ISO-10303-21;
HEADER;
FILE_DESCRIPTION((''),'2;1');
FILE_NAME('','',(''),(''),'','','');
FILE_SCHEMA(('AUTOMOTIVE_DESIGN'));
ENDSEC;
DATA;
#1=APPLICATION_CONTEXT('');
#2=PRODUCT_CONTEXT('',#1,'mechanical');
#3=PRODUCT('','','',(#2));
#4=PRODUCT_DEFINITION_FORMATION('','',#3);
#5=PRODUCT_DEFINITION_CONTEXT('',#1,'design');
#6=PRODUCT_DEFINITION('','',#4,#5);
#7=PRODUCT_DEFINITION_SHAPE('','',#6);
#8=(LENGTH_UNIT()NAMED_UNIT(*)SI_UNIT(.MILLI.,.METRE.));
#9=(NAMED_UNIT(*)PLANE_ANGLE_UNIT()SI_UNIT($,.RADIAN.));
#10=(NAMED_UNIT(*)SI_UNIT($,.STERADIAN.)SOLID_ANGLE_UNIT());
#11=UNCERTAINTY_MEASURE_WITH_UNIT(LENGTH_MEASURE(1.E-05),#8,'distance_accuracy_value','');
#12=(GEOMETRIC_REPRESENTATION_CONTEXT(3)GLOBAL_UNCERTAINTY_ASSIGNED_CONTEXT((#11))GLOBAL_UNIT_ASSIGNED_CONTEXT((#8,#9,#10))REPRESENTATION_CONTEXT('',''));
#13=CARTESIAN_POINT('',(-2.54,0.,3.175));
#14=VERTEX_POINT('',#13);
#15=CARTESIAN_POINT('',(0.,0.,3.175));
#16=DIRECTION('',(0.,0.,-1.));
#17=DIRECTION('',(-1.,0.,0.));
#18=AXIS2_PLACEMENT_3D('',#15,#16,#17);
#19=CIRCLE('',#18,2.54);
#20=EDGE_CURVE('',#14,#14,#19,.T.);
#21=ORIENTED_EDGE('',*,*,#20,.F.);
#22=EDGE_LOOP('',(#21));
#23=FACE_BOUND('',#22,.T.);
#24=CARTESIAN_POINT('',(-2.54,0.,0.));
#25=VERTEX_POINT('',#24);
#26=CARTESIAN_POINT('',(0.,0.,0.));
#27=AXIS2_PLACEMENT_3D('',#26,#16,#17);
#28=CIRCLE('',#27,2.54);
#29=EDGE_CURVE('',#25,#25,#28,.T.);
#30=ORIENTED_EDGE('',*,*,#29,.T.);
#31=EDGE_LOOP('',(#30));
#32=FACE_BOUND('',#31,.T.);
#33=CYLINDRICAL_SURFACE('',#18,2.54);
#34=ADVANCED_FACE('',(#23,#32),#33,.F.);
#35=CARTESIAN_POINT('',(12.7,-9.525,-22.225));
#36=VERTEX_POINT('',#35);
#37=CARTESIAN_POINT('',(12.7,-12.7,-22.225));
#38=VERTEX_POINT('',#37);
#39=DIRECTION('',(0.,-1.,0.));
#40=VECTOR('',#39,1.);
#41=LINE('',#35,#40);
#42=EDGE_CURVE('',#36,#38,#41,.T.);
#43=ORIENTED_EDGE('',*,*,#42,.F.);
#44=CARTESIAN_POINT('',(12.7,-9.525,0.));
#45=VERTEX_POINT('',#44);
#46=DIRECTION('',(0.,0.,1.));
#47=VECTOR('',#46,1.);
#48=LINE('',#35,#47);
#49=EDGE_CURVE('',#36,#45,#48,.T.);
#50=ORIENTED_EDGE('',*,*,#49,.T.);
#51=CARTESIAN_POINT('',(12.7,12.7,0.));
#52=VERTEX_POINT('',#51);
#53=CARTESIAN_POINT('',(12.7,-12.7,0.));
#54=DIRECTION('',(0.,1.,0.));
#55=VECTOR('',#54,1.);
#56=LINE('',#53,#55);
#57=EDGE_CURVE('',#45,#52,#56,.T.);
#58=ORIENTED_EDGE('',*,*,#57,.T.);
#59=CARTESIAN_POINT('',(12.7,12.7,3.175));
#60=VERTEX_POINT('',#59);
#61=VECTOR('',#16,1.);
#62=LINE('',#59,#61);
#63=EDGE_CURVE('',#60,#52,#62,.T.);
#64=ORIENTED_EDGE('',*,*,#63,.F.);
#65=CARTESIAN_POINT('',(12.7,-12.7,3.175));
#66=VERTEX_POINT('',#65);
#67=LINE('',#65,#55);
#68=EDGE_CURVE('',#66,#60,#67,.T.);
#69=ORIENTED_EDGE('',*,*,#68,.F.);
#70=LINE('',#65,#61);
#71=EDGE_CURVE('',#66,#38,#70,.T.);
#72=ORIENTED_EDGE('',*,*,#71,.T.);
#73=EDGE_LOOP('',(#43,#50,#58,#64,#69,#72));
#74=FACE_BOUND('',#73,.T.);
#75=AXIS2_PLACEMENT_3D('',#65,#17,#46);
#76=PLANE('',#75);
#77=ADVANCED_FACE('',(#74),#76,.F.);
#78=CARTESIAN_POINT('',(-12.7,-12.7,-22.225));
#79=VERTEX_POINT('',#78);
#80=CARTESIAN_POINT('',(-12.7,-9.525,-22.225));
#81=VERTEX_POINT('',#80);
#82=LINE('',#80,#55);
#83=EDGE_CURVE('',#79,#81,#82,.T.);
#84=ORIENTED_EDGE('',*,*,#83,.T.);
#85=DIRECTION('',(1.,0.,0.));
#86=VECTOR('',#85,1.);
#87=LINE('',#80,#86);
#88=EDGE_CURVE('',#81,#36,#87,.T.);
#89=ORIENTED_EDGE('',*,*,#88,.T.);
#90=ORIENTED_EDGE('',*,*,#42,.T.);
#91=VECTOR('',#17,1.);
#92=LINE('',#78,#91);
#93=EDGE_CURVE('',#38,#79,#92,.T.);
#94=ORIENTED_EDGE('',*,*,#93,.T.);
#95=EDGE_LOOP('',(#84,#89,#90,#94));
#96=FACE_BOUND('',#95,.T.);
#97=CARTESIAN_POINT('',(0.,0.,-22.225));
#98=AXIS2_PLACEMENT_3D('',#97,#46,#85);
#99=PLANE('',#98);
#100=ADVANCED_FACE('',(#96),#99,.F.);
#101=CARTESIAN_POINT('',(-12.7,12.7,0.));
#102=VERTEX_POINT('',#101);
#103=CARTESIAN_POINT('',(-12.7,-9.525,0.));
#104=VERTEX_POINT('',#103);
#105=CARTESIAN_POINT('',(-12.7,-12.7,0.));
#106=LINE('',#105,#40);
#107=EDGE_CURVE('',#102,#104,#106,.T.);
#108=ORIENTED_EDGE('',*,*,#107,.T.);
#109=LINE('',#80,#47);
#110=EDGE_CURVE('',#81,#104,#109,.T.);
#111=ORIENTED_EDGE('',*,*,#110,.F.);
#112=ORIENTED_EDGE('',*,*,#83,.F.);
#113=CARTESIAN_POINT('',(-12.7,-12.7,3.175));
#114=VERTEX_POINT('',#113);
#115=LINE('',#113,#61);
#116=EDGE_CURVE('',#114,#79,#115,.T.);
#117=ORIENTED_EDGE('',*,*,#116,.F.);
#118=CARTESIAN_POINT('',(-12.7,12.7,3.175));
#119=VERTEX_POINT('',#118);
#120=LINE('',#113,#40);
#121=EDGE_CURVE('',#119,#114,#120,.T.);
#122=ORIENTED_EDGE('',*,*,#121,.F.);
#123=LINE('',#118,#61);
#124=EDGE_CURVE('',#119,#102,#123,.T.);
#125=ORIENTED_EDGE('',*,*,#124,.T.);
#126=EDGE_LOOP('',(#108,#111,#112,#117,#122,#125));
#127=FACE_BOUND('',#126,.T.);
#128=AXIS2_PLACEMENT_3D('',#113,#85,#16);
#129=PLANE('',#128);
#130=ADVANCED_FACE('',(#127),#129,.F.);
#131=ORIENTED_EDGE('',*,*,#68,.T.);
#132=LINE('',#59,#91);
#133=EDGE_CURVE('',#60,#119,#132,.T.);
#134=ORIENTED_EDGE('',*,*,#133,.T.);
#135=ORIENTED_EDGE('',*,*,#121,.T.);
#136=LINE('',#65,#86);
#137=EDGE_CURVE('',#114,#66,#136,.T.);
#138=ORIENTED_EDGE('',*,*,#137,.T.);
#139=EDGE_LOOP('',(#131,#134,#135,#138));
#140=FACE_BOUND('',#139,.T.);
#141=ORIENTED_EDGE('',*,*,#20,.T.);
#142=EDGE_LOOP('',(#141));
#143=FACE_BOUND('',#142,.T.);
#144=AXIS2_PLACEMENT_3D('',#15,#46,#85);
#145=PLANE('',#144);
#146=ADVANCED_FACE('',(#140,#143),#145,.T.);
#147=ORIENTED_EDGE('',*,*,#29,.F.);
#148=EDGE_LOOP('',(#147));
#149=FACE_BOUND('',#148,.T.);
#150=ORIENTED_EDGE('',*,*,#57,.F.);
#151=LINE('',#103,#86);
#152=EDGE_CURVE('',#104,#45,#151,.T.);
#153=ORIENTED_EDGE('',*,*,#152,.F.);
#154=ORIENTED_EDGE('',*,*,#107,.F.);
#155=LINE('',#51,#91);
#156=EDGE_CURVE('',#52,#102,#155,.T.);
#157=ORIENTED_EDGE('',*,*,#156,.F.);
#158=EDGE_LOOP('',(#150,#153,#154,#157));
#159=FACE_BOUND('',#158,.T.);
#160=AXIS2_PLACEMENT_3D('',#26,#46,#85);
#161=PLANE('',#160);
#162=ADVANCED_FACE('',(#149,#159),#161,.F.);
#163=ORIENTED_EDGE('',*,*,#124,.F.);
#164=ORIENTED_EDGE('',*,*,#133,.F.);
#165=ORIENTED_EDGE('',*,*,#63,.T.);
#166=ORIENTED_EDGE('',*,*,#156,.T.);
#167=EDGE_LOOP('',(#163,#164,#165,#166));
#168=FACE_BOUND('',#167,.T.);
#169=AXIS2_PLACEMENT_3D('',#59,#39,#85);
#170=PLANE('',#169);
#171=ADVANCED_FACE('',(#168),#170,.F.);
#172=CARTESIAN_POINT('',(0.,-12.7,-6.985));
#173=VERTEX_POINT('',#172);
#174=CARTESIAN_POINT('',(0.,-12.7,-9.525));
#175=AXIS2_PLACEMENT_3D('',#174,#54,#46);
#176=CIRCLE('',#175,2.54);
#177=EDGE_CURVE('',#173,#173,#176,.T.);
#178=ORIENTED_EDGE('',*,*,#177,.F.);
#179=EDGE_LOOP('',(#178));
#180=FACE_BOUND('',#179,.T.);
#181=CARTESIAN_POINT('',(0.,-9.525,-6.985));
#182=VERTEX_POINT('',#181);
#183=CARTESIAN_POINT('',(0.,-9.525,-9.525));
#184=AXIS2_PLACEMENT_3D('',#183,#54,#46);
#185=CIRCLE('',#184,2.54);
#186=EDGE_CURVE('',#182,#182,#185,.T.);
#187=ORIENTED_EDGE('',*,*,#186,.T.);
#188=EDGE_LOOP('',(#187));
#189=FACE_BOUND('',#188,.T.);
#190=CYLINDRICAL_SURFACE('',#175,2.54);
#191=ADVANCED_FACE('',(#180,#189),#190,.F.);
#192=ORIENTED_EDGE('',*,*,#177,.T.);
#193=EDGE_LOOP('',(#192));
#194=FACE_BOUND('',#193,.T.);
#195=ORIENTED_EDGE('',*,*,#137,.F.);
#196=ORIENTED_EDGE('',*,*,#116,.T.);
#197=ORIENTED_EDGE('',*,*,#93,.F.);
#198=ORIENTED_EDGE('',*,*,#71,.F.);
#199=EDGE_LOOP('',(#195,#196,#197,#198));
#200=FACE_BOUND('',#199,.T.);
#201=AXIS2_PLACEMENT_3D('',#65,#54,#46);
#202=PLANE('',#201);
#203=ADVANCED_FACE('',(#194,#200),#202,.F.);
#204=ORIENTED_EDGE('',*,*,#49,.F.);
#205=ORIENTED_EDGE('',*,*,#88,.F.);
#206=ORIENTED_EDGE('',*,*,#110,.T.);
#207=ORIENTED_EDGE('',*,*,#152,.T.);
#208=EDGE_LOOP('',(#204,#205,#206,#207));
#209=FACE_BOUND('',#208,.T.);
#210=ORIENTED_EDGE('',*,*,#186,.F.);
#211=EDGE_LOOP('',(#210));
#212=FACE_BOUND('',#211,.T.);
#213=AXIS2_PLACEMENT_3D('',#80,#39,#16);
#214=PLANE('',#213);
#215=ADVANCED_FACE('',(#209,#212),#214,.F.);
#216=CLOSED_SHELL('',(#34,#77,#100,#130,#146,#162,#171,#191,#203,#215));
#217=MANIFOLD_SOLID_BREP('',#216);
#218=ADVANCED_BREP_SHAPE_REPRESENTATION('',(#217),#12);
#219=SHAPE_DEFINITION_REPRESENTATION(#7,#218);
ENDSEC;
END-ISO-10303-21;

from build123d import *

# Parameters (mm, degrees)
SKETCH4_W           = 25.4
SKETCH4_H           = 25.4
BOSS_EXTRUDE3_DEPTH = 3.175
SKETCH5_W           = 25.4
SKETCH5_H           = 3.175
BOSS_EXTRUDE4_DEPTH = 22.225
SKETCH6_R           = 2.54
CUT_EXTRUDE1_DEPTH  = 4.175
SKETCH7_R           = 2.54
CUT_EXTRUDE2_DEPTH  = 4.175


with BuildPart() as part:
    # Sketch4 → Boss-Extrude3 (new body)
    with BuildSketch(Plane.XY):
        Rectangle(SKETCH4_W, SKETCH4_H)
    extrude(amount=BOSS_EXTRUDE3_DEPTH)

    # Sketch5 → Boss-Extrude4 (add)
    with BuildSketch(Plane(origin=(0, 0, 0), x_dir=(-1, 0, 0), z_dir=(0, 0, -1))):
        with Locations((0, -11.1125)):
            Rectangle(SKETCH5_W, SKETCH5_H)
    extrude(amount=BOSS_EXTRUDE4_DEPTH)

    # Sketch6 → Cut-Extrude1 (cut, through all)
    with BuildSketch(Plane(origin=(0, -9.525, 0), x_dir=(1, 0, 0), z_dir=(0, 1, 0))):
        with Locations((0, 9.525)):
            Circle(SKETCH6_R)
    extrude(amount=-CUT_EXTRUDE1_DEPTH, mode=Mode.SUBTRACT)

    # Sketch7 → Cut-Extrude2 (cut, through all)
    with BuildSketch(Plane(origin=(0, 0, 0), x_dir=(-1, 0, 0), z_dir=(0, 0, -1))):
        Circle(SKETCH7_R)
    extrude(amount=-CUT_EXTRUDE2_DEPTH, mode=Mode.SUBTRACT)


solid = part.part
